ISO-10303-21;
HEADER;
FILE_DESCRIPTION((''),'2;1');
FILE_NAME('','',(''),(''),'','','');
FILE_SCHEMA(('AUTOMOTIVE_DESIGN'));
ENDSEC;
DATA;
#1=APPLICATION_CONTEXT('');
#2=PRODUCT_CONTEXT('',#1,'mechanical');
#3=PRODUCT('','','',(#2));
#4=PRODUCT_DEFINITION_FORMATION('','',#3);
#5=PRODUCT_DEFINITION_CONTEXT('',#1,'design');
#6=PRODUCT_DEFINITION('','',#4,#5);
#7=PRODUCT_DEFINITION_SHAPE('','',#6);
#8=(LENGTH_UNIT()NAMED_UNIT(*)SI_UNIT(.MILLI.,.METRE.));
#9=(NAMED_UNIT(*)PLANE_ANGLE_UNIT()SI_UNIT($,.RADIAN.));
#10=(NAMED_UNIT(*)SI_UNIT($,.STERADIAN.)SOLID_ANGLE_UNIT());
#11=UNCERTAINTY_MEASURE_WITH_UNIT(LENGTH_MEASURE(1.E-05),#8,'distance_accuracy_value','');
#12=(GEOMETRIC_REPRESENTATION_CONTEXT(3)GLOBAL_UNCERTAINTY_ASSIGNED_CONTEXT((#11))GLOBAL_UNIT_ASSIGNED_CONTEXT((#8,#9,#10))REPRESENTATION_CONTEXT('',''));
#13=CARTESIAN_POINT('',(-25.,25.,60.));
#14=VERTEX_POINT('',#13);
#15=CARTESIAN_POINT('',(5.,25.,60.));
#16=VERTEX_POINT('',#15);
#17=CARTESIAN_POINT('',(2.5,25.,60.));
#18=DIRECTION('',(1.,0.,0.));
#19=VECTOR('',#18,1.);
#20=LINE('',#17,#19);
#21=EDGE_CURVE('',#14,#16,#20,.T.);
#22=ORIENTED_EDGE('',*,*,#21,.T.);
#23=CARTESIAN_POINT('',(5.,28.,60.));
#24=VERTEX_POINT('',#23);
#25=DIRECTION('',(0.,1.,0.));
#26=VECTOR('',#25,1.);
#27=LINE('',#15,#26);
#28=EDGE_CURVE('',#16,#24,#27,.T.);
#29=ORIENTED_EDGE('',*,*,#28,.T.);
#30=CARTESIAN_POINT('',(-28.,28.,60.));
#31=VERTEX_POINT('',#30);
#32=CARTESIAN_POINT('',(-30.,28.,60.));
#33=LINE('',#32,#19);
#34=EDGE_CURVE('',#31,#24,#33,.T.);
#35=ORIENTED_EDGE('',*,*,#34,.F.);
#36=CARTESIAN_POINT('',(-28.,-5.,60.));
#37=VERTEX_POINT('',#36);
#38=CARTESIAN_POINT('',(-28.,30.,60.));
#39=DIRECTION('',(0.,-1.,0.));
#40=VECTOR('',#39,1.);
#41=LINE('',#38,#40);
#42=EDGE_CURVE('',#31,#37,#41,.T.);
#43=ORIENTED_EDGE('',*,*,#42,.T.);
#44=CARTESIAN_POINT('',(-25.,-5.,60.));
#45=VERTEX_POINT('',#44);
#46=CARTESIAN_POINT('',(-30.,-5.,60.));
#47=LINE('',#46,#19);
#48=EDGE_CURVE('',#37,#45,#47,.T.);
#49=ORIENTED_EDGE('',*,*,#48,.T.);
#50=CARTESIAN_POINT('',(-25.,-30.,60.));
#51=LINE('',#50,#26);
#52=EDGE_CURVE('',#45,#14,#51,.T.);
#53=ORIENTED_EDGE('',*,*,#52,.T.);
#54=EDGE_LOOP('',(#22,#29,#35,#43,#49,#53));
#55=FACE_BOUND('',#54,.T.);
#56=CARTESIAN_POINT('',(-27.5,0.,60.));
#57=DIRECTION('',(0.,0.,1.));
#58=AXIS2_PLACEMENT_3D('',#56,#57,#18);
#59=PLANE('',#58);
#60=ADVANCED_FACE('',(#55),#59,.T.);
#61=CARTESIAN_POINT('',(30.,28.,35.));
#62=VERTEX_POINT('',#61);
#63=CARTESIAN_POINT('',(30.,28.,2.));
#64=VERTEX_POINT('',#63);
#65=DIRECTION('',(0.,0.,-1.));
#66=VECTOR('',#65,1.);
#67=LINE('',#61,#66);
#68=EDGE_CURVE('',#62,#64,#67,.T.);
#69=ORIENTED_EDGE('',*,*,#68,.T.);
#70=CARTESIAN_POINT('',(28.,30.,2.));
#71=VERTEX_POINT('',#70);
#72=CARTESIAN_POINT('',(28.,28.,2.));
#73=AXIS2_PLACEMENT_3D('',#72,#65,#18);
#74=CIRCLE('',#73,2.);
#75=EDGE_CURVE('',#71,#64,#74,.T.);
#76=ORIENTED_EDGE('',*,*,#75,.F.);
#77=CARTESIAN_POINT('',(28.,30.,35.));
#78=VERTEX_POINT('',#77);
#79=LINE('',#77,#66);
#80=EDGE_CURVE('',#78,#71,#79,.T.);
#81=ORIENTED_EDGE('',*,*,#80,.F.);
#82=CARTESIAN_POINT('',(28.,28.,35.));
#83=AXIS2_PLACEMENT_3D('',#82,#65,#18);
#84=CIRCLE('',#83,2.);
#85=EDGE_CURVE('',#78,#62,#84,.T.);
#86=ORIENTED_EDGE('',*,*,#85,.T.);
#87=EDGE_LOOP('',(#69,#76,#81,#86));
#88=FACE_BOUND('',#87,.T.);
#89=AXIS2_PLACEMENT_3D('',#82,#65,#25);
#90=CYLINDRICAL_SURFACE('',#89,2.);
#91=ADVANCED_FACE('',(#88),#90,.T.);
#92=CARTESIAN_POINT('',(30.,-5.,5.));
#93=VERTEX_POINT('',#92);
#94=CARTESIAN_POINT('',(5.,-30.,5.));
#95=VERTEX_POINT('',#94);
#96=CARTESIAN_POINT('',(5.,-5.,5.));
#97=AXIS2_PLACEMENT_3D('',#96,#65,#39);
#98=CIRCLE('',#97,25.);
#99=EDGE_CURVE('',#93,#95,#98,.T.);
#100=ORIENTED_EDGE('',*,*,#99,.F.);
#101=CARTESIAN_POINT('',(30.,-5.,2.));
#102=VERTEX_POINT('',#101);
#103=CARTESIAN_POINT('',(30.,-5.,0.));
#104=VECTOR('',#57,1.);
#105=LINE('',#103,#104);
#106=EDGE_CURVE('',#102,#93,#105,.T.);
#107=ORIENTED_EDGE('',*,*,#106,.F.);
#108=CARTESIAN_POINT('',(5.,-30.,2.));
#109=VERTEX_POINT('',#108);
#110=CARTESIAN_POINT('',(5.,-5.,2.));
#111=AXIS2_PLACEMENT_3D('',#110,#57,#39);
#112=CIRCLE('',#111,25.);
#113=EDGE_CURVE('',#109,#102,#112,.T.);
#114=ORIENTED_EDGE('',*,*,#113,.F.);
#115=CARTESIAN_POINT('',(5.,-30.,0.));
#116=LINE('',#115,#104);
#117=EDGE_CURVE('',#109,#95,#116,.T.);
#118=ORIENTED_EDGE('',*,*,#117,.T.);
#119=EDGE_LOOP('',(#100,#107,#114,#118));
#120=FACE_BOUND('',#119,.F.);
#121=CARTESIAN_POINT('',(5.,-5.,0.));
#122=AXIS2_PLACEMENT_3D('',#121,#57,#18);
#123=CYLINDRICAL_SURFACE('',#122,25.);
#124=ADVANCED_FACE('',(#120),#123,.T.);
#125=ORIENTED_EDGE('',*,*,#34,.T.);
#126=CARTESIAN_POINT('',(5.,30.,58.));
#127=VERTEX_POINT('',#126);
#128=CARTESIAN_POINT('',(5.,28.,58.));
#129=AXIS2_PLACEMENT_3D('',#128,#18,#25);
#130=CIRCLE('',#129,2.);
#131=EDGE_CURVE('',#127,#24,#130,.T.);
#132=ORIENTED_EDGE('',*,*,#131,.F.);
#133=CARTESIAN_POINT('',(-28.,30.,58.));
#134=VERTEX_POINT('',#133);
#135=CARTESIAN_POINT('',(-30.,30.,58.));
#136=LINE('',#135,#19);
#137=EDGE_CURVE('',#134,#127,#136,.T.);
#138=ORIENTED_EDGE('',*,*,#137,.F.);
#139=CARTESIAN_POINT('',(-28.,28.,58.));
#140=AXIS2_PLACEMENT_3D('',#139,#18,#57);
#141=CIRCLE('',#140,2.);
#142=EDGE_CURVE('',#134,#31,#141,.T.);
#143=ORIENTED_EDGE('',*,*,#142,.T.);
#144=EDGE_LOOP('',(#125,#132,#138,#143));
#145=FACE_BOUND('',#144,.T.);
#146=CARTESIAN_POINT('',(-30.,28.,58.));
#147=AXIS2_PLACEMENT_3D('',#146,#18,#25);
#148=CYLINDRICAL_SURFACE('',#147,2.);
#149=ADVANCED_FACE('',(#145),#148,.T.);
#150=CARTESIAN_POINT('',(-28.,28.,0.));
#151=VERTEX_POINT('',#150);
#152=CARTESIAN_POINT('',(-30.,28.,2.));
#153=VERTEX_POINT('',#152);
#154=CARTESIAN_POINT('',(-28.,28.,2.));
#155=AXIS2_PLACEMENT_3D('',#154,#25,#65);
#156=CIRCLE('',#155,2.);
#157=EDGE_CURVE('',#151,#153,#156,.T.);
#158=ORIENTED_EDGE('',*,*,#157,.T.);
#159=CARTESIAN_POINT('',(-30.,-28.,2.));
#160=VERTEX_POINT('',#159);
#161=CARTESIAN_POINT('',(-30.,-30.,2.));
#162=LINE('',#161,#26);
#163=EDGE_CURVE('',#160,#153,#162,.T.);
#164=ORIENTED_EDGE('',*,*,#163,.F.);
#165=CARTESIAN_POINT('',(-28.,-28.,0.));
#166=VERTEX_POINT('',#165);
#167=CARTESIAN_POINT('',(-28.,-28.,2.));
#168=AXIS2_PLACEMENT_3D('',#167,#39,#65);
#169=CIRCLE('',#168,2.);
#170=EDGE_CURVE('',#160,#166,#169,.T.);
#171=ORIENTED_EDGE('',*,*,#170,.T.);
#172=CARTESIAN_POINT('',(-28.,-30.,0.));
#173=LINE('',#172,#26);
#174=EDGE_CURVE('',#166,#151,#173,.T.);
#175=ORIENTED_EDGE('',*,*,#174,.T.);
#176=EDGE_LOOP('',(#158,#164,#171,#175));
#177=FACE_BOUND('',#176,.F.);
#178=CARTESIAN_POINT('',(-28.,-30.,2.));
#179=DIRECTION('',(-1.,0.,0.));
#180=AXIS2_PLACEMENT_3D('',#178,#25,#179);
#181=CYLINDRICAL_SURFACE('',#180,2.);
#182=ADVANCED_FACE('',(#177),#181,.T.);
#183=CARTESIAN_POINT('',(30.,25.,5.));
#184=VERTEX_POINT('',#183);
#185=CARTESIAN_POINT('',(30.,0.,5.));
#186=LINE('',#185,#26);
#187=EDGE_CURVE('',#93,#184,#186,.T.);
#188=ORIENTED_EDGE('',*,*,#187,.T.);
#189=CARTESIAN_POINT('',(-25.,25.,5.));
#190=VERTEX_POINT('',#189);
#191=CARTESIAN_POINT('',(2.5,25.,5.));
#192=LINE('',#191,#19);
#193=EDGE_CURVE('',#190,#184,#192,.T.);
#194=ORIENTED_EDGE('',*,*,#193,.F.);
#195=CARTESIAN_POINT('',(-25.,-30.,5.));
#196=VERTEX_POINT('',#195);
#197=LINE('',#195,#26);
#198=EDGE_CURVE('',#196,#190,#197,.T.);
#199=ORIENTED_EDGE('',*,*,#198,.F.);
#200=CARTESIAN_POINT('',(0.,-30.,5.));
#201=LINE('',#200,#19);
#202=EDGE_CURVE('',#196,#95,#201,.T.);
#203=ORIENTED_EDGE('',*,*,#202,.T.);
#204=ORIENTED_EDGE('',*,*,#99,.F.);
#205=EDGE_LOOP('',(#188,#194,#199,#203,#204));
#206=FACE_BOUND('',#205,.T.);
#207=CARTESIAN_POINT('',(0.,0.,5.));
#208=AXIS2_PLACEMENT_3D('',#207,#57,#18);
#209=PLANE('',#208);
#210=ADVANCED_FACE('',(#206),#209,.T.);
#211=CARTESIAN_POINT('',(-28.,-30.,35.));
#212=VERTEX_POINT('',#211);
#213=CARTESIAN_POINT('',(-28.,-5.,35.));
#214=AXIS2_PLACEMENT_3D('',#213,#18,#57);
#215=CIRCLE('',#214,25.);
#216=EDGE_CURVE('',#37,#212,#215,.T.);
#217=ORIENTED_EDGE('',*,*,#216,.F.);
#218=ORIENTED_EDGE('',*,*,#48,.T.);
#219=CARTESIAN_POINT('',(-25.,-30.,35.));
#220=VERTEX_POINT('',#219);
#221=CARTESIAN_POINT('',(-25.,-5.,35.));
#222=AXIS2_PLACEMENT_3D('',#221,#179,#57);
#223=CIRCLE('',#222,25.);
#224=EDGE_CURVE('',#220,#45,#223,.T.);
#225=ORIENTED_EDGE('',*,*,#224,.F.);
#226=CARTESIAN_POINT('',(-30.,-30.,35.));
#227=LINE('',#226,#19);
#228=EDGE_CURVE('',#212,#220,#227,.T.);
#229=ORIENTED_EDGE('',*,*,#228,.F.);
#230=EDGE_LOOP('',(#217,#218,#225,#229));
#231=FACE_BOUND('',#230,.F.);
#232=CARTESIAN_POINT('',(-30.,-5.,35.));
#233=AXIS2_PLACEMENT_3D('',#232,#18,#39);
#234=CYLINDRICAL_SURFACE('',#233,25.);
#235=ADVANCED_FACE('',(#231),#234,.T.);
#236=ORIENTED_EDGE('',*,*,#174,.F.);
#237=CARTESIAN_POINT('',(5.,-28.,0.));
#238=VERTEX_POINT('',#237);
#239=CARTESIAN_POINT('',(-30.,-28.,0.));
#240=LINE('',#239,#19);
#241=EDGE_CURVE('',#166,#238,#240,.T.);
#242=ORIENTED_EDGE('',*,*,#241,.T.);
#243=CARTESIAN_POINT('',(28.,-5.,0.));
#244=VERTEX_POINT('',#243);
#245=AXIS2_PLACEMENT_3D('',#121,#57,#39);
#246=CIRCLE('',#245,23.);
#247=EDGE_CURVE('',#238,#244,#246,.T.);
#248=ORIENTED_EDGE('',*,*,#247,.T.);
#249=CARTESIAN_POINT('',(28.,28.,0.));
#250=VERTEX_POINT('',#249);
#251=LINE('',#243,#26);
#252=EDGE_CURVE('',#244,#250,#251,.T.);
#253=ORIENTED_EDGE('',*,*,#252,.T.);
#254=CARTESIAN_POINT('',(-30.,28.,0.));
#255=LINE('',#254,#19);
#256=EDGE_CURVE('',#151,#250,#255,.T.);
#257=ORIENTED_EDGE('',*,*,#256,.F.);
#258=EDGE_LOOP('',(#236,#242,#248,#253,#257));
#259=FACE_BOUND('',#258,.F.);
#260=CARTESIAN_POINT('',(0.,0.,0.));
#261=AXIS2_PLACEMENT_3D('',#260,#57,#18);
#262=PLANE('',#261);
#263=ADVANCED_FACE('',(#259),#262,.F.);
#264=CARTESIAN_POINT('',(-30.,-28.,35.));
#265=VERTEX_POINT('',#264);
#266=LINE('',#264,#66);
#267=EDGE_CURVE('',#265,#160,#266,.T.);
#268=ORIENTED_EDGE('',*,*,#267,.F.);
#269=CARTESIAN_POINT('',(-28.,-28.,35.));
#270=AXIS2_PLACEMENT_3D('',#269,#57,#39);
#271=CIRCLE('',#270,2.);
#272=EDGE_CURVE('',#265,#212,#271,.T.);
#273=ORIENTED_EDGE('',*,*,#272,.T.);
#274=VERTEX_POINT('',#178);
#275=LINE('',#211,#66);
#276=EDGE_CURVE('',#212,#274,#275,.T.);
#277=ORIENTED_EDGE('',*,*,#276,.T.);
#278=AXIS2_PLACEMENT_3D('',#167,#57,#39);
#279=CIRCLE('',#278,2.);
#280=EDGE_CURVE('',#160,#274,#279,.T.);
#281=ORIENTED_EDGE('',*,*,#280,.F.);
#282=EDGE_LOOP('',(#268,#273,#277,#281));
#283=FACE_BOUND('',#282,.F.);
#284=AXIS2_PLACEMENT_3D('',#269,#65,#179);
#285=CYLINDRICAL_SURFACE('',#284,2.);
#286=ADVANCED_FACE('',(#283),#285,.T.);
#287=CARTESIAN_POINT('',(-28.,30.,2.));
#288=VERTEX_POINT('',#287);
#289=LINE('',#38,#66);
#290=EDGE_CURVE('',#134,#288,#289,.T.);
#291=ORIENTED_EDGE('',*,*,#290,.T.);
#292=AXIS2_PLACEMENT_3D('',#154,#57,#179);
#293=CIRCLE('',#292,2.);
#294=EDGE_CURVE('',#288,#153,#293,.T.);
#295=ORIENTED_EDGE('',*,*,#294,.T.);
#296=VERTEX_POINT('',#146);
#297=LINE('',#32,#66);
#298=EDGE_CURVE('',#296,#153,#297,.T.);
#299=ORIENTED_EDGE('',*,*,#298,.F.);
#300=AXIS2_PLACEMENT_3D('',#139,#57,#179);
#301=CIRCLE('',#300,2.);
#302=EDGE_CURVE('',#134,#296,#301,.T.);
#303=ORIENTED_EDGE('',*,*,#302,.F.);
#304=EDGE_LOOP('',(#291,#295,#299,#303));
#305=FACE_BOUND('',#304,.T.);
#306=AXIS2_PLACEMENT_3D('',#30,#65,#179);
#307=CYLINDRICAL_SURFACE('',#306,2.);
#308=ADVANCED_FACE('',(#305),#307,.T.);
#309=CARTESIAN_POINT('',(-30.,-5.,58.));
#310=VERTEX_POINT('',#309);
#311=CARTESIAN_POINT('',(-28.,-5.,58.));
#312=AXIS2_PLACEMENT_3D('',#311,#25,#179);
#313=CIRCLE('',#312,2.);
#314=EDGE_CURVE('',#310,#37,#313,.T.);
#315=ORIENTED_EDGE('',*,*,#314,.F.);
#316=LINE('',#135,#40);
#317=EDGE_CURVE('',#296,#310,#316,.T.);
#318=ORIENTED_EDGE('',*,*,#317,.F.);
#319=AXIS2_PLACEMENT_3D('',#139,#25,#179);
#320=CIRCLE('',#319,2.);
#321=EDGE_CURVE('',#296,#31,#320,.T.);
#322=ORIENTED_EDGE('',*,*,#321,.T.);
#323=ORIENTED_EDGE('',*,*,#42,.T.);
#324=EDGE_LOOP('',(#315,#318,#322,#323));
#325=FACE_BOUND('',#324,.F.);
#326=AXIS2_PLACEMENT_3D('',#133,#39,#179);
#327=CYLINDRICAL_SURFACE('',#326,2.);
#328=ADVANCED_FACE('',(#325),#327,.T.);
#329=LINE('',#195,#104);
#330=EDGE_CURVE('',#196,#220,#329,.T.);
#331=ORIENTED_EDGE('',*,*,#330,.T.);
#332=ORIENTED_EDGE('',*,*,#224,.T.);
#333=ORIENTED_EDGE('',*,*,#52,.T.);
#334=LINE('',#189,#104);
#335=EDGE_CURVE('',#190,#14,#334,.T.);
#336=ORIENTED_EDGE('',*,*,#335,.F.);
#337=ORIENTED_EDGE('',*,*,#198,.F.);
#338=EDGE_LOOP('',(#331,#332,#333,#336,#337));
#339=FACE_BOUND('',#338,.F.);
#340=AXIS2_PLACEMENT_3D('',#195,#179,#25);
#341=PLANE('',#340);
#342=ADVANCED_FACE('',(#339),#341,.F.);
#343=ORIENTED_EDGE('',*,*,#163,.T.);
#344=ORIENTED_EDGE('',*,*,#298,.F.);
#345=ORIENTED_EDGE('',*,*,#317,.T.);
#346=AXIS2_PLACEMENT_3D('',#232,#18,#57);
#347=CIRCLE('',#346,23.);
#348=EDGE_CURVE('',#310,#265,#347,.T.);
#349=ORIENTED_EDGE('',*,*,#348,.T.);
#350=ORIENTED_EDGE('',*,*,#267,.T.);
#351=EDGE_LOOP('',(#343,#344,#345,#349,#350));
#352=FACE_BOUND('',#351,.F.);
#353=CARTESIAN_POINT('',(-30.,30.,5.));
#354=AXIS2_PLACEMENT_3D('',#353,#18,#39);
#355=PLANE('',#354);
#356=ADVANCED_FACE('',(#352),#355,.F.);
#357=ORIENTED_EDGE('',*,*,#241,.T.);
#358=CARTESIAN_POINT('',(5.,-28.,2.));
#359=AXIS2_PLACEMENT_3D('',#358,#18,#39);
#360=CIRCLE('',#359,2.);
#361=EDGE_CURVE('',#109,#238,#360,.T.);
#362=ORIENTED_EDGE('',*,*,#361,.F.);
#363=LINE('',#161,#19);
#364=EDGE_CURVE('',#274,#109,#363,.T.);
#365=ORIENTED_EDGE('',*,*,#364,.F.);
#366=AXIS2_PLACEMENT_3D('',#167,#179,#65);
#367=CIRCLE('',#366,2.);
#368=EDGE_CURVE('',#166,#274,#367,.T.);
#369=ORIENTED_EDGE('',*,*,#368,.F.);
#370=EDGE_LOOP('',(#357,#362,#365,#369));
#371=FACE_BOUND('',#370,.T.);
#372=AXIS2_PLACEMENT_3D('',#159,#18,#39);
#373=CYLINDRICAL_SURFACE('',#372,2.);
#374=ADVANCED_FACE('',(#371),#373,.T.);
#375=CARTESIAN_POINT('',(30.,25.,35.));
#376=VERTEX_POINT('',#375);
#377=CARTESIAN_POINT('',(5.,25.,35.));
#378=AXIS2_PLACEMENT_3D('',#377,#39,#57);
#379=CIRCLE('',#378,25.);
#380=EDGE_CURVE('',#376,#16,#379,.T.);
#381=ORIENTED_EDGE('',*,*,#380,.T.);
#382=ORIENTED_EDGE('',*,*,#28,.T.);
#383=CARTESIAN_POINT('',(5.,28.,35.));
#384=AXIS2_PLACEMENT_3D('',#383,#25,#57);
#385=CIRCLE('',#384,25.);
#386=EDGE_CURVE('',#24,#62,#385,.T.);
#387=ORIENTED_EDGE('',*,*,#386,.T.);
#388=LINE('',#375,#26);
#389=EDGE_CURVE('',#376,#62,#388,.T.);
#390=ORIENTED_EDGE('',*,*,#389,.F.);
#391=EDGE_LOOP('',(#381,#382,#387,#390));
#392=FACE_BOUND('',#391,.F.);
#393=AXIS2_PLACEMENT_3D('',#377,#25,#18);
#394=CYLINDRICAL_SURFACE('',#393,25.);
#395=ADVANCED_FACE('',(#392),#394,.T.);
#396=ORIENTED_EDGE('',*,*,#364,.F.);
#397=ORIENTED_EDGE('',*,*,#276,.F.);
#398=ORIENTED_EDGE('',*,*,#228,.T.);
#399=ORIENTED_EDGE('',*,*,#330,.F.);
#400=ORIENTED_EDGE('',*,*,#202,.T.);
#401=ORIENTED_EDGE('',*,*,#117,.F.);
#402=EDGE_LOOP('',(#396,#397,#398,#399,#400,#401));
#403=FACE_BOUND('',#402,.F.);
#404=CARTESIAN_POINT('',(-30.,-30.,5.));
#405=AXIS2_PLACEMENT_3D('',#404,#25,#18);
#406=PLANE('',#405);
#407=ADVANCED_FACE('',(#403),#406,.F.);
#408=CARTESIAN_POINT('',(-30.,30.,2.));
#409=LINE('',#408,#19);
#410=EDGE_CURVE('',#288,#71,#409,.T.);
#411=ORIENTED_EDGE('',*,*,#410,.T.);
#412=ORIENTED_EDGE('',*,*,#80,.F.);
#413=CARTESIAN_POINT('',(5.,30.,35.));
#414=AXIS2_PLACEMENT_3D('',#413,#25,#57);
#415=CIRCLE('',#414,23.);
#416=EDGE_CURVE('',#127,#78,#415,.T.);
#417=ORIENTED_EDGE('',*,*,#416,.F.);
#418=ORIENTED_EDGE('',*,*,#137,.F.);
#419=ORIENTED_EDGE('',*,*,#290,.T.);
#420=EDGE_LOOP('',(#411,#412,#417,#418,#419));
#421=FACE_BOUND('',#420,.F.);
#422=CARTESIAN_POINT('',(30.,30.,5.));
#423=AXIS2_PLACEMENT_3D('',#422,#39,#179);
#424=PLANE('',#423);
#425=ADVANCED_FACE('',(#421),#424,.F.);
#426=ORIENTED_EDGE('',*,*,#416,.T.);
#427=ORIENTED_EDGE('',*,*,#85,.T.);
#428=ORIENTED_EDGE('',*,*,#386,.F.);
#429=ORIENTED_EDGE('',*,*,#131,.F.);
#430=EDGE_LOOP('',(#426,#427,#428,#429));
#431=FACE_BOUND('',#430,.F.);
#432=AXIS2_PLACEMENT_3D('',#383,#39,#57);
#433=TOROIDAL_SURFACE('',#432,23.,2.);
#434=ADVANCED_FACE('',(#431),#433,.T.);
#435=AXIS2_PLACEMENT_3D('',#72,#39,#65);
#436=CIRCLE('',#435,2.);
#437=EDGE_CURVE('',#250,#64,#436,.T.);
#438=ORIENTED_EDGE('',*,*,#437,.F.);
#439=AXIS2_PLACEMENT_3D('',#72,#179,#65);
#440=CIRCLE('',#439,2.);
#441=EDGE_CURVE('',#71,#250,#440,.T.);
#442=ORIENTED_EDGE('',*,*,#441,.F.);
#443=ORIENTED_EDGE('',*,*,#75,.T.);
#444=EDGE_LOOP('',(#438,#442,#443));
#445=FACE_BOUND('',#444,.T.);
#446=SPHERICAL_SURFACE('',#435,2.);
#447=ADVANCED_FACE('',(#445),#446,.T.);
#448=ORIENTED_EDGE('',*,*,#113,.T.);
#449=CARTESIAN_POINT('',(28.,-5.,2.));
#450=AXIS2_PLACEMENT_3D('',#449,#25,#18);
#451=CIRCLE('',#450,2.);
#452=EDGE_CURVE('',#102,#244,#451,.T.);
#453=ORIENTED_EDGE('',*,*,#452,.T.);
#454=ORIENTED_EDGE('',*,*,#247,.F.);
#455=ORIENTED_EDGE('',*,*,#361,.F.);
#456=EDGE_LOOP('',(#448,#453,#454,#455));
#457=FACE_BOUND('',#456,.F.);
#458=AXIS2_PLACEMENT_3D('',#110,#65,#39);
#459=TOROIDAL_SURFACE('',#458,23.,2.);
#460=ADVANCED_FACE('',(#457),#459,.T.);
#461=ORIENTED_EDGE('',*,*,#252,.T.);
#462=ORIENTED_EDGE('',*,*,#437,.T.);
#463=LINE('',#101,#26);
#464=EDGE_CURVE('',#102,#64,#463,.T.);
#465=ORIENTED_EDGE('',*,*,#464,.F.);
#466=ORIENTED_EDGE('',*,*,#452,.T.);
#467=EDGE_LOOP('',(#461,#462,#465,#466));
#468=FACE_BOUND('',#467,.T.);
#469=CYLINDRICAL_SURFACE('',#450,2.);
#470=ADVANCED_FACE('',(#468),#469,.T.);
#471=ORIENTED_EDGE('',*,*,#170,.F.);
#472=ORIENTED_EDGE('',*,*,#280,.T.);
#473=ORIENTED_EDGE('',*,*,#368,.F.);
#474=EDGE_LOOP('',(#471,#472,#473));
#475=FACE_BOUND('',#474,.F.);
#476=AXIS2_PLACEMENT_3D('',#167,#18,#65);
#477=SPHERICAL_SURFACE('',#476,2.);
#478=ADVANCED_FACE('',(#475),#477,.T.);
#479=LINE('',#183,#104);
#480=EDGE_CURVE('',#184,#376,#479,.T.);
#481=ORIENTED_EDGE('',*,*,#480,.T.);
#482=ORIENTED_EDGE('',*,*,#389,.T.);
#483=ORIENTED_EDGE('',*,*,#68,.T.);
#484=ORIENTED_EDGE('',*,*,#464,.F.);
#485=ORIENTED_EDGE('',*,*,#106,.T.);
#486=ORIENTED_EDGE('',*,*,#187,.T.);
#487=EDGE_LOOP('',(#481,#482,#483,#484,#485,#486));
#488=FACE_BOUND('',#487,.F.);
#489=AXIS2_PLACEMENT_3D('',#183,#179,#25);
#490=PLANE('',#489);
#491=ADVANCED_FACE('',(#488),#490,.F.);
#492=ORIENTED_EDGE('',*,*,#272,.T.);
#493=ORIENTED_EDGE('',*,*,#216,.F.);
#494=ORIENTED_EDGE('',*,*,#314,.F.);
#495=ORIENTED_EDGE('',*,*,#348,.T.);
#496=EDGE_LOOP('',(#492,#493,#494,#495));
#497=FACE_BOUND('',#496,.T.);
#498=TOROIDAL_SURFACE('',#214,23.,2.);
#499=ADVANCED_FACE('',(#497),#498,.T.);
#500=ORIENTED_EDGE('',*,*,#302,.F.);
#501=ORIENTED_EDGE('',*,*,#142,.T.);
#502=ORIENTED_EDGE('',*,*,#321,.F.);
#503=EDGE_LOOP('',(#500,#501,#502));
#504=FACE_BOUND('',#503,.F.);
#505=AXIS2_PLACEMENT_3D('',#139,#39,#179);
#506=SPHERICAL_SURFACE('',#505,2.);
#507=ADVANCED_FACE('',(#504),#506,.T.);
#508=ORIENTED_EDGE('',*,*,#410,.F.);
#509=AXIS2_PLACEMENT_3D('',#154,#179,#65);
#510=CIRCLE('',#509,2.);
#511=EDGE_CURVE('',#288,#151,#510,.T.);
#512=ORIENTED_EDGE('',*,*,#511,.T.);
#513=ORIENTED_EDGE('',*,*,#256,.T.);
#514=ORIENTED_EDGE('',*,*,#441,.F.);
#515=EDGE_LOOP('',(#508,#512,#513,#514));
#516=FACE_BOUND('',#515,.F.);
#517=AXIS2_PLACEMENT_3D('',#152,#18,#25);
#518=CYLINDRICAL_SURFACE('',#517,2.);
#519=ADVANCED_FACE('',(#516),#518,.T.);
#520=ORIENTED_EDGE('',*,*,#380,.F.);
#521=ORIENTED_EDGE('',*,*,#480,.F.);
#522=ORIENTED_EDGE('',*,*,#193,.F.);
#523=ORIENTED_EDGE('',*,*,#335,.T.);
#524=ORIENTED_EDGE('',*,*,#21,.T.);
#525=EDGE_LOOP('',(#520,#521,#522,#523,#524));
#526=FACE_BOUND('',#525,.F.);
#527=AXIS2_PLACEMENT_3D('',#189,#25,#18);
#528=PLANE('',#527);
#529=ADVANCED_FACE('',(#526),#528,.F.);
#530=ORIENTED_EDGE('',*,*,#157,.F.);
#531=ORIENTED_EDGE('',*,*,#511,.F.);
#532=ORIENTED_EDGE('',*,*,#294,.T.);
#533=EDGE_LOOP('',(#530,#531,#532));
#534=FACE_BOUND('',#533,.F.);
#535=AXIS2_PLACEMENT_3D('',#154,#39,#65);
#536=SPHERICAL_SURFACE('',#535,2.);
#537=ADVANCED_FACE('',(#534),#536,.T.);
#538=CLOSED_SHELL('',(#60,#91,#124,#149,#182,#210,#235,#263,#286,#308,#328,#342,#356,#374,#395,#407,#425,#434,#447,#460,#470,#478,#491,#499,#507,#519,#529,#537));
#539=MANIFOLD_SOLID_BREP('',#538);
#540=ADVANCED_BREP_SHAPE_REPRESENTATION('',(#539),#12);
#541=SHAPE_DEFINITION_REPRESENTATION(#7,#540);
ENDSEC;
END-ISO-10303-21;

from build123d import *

# Parameters (mm, degrees)
F0_W     = 60
F0_H     = 60
F1_DEPTH = 5
F2_W     = 55
F2_H     = 5
F3_DEPTH = 55
F4_R     = 25
F5_R     = 2


with BuildPart() as f1:
    # F0 (on Top) → F1 (new body)
    with BuildSketch(Plane.XY):
        Rectangle(F0_W, F0_H)
    extrude(amount=F1_DEPTH)

    # F2 (on face) → F3 (join)
    with BuildSketch(Plane.XY.offset(5)):
        Polygon((-25, 30), (-30, 30), (-30, -30), (-25, -30), (-25, 25), align=None)
        with Locations((2.5, 27.5)):
            Rectangle(F2_W, F2_H)
    extrude(amount=F3_DEPTH)

    # F4
    f4_edges = [f1.edges().sort_by_distance(p)[0] for p in [
        (30, 27.5, 60),
        (-27.5, -30, 60),
        (30, -30, 2.5),
    ]]
    fillet(f4_edges, radius=F4_R)

    # F5
    f5_edges = [f1.edges().sort_by_distance(p)[0] for p in [
        (-12.5, -30, 0),
        (22.67767, -22.67767, 0),
        (-30, 0, 0),
        (30, 12.5, 0),
        (0, 30, 0),
        (-30, 12.5, 60),
        (-30, -22.67767, 52.67767),
        (-30, 30, 30),
        (-30, -30, 17.5),
        (30, 30, 17.5),
        (22.67767, 30, 52.67767),
        (-12.5, 30, 60),
    ]]
    fillet(f5_edges, radius=F5_R)


solid = f1.part
